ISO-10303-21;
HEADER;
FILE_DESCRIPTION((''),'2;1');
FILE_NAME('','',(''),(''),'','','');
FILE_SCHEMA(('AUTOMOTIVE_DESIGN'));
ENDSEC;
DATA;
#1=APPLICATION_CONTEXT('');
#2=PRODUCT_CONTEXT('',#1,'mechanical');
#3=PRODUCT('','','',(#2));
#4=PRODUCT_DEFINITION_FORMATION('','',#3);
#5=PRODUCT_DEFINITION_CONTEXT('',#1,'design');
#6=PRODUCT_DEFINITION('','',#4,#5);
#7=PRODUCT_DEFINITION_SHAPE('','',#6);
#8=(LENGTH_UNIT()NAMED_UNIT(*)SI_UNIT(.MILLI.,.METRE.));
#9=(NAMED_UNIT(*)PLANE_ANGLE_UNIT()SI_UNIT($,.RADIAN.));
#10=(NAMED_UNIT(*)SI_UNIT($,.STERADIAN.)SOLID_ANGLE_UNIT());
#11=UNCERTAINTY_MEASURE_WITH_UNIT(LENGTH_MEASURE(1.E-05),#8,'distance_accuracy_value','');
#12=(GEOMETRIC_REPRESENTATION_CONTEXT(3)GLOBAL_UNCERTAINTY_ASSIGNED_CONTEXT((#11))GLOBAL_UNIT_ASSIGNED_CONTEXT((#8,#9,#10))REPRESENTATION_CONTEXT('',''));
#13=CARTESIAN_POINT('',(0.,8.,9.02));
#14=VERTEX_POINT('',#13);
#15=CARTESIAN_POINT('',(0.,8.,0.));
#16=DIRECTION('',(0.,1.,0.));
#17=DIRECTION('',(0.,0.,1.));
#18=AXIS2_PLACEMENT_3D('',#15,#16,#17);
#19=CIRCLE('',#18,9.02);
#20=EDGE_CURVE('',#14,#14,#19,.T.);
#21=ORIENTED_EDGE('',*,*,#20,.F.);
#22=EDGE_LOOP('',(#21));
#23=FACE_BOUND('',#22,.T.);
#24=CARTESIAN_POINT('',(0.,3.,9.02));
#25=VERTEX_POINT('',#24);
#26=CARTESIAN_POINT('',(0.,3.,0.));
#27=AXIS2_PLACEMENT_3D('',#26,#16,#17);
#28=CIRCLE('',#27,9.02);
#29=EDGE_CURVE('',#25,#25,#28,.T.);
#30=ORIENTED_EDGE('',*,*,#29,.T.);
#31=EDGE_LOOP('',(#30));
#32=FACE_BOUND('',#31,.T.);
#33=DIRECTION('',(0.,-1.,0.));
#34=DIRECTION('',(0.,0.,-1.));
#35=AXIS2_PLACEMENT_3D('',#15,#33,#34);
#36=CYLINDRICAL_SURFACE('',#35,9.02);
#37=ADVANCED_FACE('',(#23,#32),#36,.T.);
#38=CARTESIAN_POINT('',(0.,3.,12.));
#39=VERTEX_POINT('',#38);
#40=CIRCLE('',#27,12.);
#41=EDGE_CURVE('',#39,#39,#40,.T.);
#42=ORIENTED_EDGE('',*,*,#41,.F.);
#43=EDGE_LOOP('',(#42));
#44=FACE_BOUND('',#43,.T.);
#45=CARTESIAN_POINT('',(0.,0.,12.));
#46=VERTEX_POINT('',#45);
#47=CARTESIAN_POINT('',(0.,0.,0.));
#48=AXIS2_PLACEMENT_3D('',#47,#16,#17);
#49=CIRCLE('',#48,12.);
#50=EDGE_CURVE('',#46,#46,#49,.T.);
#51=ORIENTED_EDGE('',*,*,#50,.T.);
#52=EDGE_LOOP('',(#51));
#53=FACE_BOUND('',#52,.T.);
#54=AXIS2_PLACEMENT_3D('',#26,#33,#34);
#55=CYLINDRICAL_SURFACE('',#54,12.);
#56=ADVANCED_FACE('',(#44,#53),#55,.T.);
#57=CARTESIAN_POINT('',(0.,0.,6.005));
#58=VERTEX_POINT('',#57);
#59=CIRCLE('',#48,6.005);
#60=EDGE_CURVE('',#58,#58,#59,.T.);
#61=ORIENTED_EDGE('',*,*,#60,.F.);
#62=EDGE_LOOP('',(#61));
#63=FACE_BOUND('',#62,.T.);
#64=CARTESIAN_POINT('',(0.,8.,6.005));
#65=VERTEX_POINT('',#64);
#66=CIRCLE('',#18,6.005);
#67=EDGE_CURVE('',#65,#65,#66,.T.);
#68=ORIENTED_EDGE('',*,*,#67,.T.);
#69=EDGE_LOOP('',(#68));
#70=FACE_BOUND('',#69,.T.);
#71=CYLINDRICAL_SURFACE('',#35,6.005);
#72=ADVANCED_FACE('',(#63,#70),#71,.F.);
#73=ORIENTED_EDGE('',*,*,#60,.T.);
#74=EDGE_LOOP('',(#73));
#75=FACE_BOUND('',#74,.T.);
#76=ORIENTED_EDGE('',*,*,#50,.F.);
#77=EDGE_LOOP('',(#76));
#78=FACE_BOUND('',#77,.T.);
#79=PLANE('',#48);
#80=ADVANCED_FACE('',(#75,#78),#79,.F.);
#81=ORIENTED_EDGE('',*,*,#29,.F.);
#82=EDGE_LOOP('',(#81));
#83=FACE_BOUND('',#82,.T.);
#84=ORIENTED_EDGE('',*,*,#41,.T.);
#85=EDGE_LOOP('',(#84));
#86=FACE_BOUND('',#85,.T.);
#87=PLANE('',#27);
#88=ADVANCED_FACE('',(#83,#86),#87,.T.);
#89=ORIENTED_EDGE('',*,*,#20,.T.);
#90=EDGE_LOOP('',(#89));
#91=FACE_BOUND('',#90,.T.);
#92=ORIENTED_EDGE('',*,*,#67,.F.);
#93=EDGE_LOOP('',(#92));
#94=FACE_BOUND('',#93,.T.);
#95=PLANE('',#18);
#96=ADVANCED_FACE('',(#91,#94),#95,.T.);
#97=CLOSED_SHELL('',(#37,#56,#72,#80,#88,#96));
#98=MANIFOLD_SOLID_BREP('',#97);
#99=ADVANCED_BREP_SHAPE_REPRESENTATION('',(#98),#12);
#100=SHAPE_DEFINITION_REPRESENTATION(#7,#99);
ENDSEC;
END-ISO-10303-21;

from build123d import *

# Parameters (mm, degrees)
SKETCH2_R           = 9.02
SKETCH2_R_2         = 6.005
BOSS_EXTRUDE1_DEPTH = 8
SKETCH3_R           = 12
SKETCH3_R_2         = 9.02
BOSS_EXTRUDE2_DEPTH = 3


with BuildPart() as part:
    # Sketch2 → Boss-Extrude1 (new body)
    with BuildSketch(Plane(origin=(0, 0, 0), x_dir=(1, 0, 0), z_dir=(0, 1, 0))):
        Circle(SKETCH2_R)
        Circle(SKETCH2_R_2, mode=Mode.SUBTRACT)
    extrude(amount=BOSS_EXTRUDE1_DEPTH)

    # Sketch3 → Boss-Extrude2 (add)
    with BuildSketch(Plane(origin=(0, 0, 0), x_dir=(1, 0, 0), z_dir=(0, 1, 0))):
        Circle(SKETCH3_R)
        Circle(SKETCH3_R_2, mode=Mode.SUBTRACT)
    extrude(amount=BOSS_EXTRUDE2_DEPTH)


solid = part.part
